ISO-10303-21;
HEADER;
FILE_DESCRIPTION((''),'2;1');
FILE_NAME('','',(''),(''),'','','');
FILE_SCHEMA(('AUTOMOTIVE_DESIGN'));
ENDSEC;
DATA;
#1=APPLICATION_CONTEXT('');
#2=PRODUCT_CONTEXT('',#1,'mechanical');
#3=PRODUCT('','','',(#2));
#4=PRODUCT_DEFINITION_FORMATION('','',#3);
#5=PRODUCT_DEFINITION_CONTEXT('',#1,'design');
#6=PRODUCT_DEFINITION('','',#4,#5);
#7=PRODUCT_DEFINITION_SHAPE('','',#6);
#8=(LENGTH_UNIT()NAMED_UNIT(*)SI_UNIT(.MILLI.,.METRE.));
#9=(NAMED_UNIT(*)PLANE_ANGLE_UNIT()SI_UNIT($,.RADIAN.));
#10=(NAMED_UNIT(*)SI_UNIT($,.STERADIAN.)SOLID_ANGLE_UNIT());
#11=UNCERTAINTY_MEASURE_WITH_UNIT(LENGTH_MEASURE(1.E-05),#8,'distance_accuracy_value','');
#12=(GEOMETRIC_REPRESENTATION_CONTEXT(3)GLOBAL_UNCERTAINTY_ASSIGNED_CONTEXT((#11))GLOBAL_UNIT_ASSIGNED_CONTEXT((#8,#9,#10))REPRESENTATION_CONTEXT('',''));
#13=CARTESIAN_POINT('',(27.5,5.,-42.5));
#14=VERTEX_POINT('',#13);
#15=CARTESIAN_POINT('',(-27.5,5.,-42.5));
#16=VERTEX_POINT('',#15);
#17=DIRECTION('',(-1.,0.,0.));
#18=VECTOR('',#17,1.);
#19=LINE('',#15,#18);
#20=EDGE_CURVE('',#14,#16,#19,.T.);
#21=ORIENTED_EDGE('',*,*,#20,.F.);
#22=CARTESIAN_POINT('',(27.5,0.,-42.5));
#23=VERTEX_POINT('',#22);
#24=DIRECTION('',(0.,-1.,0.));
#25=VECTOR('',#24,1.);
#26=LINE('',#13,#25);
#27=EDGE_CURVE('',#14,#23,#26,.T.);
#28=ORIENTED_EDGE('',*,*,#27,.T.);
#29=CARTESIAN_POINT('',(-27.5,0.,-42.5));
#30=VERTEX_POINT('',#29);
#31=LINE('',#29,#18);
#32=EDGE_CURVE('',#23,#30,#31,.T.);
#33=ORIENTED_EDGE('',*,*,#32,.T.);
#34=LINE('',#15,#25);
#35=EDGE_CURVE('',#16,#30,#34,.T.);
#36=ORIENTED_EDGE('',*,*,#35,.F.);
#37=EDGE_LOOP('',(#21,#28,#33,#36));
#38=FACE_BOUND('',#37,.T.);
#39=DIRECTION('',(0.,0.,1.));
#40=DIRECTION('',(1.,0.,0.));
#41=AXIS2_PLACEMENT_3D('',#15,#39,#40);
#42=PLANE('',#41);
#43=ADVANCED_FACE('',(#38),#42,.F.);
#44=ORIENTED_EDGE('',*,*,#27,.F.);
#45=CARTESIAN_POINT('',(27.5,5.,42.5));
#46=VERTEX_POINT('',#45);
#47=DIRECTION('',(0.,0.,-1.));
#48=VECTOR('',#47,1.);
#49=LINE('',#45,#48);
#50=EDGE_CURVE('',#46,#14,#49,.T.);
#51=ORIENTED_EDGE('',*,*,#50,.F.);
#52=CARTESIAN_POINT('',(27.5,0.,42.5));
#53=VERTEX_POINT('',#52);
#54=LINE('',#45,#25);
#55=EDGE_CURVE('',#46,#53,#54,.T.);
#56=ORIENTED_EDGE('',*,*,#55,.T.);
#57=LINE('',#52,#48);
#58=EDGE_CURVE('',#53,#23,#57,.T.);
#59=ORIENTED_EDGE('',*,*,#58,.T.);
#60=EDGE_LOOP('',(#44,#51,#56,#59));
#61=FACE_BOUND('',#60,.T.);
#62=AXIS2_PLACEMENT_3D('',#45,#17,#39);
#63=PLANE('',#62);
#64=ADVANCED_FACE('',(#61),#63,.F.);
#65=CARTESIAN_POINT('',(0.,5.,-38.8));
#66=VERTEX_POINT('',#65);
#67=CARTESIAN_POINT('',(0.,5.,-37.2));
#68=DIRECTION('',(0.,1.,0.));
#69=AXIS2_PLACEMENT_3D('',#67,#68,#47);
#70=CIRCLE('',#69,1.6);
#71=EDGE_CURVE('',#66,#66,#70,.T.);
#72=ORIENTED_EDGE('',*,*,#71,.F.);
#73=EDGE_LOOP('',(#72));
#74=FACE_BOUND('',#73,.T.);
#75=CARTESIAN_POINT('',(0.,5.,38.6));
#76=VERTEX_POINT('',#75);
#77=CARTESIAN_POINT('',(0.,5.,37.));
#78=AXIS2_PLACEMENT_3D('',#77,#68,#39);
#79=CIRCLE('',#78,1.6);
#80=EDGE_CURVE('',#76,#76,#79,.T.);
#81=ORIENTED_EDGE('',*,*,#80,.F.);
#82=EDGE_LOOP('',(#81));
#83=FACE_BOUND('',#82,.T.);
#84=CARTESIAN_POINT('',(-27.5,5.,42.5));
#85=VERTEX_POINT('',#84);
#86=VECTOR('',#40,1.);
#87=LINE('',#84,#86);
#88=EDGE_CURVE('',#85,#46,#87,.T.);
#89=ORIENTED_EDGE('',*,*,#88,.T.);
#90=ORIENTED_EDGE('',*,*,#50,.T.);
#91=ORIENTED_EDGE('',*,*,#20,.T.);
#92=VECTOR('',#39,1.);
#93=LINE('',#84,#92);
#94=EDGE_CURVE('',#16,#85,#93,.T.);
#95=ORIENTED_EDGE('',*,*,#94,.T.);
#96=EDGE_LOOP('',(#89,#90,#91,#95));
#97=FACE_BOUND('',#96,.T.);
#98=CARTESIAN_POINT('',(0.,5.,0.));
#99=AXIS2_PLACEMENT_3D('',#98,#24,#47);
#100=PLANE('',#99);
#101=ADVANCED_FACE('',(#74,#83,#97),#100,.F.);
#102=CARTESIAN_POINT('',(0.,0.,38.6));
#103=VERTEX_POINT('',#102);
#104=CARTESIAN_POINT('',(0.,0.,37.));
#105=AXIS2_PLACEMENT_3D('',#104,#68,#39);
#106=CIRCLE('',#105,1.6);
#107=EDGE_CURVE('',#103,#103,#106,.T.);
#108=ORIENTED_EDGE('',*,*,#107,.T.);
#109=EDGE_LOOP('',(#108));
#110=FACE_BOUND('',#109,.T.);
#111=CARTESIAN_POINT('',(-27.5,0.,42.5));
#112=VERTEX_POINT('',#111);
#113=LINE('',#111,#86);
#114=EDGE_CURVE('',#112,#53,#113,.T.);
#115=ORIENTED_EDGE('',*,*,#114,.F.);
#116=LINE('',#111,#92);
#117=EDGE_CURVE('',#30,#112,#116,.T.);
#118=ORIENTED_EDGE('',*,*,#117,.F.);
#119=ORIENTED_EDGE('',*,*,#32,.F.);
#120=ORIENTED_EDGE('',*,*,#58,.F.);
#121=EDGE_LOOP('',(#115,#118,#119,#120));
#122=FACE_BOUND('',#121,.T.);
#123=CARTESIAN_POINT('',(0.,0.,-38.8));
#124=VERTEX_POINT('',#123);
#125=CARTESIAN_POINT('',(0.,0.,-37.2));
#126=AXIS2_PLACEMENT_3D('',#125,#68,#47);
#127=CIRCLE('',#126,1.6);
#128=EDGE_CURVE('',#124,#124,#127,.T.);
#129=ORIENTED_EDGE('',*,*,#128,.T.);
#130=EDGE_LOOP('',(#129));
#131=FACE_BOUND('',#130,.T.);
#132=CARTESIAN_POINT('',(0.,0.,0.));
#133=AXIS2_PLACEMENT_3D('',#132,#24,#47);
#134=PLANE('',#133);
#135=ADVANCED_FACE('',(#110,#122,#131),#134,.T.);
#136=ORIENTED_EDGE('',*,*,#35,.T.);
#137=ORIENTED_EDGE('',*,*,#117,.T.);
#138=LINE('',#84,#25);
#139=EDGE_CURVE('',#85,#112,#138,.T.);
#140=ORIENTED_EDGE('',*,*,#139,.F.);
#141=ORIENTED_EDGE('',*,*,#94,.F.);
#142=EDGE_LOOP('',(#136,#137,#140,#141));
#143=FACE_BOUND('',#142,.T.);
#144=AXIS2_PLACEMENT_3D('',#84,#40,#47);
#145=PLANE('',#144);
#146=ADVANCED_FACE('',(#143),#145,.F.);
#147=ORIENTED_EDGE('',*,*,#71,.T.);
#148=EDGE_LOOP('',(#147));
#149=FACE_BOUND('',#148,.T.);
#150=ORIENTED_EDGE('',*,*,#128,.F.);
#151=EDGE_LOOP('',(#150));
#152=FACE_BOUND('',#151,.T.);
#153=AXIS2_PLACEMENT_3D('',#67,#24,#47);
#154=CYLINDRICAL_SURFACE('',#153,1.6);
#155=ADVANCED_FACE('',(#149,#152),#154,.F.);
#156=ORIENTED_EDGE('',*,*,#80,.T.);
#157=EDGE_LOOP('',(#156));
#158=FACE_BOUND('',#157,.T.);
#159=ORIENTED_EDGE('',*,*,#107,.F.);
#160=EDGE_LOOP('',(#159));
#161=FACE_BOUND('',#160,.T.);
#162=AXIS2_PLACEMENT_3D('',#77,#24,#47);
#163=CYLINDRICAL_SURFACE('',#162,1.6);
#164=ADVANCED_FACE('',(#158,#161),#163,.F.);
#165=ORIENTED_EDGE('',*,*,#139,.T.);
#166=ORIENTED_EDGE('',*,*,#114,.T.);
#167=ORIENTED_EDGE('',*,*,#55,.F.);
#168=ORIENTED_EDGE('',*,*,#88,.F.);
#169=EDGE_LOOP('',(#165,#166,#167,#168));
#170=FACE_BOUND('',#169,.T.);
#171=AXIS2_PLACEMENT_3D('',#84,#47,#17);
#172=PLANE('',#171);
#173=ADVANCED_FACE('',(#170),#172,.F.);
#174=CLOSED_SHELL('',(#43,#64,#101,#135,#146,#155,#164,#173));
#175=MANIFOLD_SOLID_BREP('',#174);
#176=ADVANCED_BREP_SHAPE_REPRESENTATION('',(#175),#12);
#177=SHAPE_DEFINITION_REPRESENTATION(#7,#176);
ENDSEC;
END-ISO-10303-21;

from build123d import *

# Parameters (mm, degrees)
SKETCH1_W           = 55
SKETCH1_H           = 85
SKETCH1_R           = 1.6
BOSS_EXTRUDE1_DEPTH = 5


with BuildPart() as part:
    # Sketch1 → Boss-Extrude1 (new body)
    with BuildSketch(Plane(origin=(0, 0, 0), x_dir=(1, 0, 0), z_dir=(0, 1, 0))):
        Rectangle(SKETCH1_W, SKETCH1_H)
        with Locations(Location((0, -37, 0), (0, 0, 270))):
            Circle(SKETCH1_R, mode=Mode.SUBTRACT)
        with Locations(Location((0, 37.2, 0), (0, 0, 90))):
            Circle(SKETCH1_R, mode=Mode.SUBTRACT)
    extrude(amount=BOSS_EXTRUDE1_DEPTH)


solid = part.part
